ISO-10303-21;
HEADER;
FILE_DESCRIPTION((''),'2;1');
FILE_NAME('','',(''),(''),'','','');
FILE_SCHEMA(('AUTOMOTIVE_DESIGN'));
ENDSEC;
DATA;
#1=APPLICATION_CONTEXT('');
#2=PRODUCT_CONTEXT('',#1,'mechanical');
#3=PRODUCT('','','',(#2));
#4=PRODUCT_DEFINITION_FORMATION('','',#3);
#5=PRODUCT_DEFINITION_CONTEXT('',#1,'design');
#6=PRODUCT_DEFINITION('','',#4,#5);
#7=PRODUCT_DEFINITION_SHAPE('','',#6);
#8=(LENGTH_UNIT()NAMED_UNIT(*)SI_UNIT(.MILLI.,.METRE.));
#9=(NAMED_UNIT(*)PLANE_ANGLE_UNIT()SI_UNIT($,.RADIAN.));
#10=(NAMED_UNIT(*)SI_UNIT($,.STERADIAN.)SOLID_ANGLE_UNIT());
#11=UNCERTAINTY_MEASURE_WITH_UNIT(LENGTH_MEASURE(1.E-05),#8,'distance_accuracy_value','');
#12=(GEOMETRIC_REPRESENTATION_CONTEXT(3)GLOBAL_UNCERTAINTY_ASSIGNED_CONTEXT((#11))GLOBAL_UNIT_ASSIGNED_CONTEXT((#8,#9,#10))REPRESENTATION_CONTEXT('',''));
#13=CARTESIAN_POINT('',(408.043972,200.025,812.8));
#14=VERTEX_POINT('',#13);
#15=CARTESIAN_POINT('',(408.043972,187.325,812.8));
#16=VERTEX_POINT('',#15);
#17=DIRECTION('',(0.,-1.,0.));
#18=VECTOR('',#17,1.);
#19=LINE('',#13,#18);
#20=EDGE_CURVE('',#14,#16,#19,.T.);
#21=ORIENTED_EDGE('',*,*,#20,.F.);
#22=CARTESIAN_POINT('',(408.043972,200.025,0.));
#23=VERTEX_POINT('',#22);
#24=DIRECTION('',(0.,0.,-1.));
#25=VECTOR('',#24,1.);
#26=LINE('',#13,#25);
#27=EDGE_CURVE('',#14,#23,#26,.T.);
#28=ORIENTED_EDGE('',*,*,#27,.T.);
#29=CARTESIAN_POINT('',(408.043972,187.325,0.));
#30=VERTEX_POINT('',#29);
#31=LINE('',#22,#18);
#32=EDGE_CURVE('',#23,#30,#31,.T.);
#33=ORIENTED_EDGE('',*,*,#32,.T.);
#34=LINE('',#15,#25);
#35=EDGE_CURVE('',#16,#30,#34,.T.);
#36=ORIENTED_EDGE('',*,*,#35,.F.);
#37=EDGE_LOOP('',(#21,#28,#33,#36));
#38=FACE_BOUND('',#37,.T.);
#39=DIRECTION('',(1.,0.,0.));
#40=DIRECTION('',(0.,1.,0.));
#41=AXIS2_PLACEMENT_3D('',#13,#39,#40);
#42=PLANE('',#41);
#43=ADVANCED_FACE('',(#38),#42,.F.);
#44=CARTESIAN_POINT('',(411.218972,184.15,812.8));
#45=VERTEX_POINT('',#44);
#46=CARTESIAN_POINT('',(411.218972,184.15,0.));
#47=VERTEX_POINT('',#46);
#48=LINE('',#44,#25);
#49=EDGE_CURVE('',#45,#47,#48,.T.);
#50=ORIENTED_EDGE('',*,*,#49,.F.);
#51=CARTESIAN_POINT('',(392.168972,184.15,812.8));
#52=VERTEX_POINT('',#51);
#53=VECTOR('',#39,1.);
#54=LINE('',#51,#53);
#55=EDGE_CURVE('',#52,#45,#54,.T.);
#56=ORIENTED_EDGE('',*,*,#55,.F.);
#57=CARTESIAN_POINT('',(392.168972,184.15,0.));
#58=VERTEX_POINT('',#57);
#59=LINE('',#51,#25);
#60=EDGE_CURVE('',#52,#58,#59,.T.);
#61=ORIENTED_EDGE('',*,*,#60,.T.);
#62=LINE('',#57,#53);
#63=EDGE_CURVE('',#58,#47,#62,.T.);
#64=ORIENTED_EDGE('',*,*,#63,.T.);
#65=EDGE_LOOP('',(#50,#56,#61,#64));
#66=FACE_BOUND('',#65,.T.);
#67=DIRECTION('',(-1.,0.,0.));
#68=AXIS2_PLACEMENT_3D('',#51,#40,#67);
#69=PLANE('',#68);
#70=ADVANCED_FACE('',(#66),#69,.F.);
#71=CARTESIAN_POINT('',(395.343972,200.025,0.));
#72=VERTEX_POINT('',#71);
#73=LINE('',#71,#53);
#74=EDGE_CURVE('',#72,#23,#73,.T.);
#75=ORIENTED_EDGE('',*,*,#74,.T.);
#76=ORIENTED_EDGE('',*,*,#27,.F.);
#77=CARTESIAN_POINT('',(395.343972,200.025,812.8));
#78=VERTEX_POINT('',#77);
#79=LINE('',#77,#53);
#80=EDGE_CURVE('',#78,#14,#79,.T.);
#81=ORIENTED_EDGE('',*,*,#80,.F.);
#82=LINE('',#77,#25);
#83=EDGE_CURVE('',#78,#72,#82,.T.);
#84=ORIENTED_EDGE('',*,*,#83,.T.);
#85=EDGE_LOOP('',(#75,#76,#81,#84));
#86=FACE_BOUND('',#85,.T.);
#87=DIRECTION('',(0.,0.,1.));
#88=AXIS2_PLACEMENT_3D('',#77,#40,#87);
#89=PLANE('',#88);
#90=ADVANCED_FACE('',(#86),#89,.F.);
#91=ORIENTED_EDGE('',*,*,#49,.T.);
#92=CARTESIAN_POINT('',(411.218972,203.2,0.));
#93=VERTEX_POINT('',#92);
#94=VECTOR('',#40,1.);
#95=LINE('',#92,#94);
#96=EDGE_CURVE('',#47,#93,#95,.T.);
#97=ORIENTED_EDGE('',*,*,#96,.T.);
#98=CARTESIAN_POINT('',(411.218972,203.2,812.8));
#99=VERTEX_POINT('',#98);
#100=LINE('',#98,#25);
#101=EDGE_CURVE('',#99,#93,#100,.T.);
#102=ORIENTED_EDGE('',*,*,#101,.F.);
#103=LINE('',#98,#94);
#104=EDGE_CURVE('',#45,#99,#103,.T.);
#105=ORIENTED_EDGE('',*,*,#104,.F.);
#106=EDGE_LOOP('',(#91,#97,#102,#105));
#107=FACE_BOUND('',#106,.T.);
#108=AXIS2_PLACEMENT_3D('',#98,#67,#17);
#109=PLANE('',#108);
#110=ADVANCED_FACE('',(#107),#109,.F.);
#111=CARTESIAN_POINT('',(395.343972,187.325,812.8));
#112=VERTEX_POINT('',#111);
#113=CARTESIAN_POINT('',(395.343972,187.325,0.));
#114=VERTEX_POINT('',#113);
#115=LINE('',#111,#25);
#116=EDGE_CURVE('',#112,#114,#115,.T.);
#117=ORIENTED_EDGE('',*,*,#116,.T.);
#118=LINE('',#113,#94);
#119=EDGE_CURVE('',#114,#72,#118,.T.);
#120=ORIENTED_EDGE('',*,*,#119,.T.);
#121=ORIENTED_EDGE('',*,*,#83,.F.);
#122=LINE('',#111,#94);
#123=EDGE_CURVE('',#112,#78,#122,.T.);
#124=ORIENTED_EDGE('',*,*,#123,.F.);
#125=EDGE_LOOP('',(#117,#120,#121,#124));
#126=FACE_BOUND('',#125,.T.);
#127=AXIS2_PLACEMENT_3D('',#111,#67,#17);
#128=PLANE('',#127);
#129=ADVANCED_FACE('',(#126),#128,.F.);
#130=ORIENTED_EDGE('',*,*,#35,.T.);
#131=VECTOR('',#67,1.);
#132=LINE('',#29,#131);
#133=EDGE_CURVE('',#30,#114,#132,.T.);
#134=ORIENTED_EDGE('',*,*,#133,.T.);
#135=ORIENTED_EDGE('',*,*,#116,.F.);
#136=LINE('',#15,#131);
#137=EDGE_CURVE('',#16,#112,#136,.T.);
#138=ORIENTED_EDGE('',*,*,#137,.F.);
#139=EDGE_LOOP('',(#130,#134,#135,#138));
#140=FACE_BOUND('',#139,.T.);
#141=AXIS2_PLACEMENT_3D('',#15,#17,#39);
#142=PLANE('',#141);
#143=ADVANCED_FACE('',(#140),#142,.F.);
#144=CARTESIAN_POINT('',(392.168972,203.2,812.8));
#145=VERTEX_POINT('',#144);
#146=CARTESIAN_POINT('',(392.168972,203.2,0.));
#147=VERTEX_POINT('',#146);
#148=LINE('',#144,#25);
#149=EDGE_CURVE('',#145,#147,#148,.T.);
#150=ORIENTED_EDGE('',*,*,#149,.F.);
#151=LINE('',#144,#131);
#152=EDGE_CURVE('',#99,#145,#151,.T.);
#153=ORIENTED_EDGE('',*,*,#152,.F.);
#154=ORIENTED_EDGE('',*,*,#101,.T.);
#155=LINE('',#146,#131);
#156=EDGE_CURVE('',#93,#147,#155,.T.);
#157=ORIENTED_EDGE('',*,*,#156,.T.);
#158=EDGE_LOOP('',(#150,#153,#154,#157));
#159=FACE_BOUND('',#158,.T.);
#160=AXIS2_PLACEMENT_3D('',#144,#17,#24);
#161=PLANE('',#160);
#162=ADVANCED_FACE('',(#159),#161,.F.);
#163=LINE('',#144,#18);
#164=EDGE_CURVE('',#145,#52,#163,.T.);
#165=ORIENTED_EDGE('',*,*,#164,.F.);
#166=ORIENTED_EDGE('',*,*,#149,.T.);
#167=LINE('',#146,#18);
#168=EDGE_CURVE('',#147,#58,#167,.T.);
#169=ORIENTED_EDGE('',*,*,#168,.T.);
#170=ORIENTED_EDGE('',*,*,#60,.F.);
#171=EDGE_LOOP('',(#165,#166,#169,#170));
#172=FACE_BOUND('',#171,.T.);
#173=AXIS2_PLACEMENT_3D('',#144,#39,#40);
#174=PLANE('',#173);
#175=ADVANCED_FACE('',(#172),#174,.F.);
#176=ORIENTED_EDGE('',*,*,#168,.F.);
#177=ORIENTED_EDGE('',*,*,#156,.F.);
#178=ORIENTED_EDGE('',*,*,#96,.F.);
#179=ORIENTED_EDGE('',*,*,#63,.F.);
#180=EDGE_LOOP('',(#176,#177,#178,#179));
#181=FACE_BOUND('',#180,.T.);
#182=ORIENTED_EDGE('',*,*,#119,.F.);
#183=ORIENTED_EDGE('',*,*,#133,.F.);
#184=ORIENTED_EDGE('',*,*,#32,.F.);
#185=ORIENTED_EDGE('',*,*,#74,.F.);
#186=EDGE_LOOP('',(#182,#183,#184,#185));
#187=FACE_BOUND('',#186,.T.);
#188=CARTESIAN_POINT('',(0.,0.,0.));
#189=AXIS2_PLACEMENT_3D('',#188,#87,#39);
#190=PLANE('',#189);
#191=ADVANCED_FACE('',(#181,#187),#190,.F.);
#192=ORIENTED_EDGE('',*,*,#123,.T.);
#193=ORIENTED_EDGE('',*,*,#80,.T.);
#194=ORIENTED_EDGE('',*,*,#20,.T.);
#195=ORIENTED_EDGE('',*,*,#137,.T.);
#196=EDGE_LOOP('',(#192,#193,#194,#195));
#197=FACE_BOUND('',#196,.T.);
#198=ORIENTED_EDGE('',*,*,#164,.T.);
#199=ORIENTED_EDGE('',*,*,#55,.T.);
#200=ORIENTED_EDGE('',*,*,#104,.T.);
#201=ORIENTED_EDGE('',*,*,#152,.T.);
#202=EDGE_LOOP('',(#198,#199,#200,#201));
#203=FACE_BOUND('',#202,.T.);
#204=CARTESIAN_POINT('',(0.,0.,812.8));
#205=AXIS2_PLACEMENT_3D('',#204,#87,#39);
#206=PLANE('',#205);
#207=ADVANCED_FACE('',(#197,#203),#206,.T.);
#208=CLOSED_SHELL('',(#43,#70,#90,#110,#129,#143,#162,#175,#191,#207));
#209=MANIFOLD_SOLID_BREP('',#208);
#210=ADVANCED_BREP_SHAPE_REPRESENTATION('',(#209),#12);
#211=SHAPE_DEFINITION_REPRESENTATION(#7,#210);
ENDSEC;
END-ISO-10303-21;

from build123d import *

# Parameters (mm, degrees)
SKETCH1_W           = 19.05
SKETCH1_H           = 19.05
BOSS_EXTRUDE1_DEPTH = 812.8
SKETCH2_W           = 12.7
SKETCH2_H           = 12.7
CUT_EXTRUDE1_DEPTH  = 812.8


with BuildPart() as part:
    # Sketch1 → Boss-Extrude1 (new body)
    with BuildSketch(Plane.XY):
        with Locations((401.693972332, 193.675)):
            Rectangle(SKETCH1_W, SKETCH1_H)
    extrude(amount=BOSS_EXTRUDE1_DEPTH)

    # Sketch2 → Cut-Extrude1 (cut)
    with BuildSketch(Plane(origin=(0, 0, 0), x_dir=(-1, 0, 0), z_dir=(0, 0, -1))):
        with Locations((-401.693972332, 193.675)):
            Rectangle(SKETCH2_W, SKETCH2_H)
    extrude(amount=-CUT_EXTRUDE1_DEPTH, mode=Mode.SUBTRACT)


solid = part.part
